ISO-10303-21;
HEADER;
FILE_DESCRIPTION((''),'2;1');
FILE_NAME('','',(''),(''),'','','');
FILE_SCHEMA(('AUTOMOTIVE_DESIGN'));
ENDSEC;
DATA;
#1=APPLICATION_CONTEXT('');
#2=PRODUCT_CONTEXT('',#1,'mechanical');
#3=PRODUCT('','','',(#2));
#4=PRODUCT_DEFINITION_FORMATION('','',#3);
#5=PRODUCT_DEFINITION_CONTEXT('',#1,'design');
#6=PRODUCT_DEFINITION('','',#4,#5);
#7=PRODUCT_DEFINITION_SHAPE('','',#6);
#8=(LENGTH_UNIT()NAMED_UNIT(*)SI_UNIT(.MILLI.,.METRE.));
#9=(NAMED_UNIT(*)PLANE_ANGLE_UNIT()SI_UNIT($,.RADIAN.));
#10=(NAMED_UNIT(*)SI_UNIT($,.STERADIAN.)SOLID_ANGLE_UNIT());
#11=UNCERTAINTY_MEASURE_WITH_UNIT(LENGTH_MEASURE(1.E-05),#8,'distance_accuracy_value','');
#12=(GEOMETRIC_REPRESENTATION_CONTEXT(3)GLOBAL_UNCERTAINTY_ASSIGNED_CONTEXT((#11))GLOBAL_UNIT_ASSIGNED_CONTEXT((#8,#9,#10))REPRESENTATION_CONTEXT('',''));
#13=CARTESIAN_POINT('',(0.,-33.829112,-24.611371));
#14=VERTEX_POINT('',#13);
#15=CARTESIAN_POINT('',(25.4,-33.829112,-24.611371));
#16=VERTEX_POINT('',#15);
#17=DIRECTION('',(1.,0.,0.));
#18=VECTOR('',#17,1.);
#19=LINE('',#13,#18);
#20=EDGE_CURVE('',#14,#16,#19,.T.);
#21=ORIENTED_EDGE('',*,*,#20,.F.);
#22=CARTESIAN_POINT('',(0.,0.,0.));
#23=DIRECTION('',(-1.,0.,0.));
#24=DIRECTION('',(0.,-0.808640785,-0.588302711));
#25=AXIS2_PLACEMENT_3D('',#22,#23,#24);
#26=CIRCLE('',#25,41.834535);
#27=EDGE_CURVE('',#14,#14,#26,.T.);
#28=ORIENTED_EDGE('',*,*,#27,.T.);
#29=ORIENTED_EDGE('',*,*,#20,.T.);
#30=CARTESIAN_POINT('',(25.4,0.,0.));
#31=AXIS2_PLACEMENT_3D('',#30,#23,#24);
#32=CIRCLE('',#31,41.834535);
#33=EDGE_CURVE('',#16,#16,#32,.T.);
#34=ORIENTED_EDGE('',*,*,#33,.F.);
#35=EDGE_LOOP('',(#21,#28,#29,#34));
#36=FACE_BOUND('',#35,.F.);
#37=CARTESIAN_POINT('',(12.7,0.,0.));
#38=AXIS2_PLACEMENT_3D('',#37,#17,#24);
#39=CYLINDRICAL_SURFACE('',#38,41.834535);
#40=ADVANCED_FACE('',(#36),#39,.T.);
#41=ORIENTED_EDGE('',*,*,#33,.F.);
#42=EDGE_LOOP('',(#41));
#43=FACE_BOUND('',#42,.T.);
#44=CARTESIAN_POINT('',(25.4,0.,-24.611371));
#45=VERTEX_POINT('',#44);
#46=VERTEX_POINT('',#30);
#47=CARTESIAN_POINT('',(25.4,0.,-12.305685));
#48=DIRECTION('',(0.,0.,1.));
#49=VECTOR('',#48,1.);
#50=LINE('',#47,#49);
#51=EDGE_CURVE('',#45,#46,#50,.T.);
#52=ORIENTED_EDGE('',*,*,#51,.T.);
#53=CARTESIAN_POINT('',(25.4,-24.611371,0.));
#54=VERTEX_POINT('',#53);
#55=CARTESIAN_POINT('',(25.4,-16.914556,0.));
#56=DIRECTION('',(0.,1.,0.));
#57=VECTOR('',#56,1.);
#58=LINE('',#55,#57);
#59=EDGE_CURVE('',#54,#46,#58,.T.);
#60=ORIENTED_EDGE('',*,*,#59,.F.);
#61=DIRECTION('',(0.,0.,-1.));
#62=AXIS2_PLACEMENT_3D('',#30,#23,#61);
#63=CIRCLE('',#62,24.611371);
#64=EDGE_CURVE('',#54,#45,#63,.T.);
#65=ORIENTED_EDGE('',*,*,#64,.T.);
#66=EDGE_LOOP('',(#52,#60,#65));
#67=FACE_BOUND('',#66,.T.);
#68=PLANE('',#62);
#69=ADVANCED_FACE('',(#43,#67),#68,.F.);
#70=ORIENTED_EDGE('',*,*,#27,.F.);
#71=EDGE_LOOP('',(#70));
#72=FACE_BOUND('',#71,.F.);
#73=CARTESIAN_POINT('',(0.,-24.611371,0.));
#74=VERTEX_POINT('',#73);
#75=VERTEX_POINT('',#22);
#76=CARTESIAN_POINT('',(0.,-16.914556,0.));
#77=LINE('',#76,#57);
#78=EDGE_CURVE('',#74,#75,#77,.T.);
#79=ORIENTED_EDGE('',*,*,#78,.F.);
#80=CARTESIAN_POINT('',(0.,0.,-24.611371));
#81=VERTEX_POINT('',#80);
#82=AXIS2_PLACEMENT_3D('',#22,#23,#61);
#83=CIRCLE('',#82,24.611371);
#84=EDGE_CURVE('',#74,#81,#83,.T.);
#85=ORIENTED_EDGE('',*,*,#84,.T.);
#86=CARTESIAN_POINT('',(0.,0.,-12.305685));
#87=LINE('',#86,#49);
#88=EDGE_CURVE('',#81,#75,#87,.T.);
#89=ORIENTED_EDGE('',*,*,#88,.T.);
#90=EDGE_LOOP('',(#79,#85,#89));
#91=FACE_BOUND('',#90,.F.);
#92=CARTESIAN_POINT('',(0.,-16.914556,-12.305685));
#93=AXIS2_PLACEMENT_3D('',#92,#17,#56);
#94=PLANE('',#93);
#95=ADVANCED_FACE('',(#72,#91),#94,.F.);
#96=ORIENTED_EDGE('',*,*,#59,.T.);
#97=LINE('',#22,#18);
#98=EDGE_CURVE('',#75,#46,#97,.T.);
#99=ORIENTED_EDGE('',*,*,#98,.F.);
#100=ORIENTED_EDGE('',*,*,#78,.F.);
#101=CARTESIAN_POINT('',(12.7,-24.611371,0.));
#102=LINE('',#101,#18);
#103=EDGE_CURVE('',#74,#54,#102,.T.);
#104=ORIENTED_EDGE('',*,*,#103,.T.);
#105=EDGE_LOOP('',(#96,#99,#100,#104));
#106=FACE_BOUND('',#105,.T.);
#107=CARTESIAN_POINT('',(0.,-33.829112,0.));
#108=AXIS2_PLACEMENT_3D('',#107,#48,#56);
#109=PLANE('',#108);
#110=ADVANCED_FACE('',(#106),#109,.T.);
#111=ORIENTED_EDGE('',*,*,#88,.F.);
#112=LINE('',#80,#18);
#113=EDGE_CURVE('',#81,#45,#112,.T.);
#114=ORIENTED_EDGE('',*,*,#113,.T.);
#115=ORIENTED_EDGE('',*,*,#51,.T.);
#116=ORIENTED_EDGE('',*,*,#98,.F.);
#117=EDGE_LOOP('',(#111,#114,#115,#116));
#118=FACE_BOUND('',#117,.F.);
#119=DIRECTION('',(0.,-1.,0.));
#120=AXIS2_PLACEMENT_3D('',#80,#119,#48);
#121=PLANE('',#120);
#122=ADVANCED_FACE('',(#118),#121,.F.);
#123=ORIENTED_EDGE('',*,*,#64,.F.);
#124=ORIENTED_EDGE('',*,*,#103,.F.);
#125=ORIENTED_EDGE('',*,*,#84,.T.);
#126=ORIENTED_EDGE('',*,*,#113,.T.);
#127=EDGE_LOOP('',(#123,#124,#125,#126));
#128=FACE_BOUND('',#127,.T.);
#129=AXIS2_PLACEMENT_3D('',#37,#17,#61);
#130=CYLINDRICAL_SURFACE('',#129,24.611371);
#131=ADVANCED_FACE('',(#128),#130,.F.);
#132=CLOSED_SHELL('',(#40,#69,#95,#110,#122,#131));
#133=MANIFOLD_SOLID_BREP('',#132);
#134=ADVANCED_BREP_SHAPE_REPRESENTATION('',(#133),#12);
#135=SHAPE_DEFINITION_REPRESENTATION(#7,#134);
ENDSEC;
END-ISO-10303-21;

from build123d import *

# Parameters (mm, degrees)
F0_W      = 33.8291116059
F0_H      = 24.611370638
F1_DEPTH  = 25.4
F1_FACE_W = 25.4
F1_FACE_H = 33.8291116059


with BuildPart() as f1:
    # F0 (on Right) → F1 (new body)
    with BuildSketch(Plane.YZ):
        with Locations((-16.9145558029, -12.305685319)):
            Rectangle(F0_W, F0_H)
    extrude(amount=F1_DEPTH)

    # F1_face (on face) → F2 (revolve)
    with BuildSketch(Plane(origin=(12.7, -16.9145558029, -24.611370638), x_dir=(1, 0, 0), z_dir=(0, 0, -1))):
        Rectangle(F1_FACE_W, F1_FACE_H)
    revolve(axis=Axis((12.7, 0, 0), (-1, 0, 0)))


solid = f1.part
